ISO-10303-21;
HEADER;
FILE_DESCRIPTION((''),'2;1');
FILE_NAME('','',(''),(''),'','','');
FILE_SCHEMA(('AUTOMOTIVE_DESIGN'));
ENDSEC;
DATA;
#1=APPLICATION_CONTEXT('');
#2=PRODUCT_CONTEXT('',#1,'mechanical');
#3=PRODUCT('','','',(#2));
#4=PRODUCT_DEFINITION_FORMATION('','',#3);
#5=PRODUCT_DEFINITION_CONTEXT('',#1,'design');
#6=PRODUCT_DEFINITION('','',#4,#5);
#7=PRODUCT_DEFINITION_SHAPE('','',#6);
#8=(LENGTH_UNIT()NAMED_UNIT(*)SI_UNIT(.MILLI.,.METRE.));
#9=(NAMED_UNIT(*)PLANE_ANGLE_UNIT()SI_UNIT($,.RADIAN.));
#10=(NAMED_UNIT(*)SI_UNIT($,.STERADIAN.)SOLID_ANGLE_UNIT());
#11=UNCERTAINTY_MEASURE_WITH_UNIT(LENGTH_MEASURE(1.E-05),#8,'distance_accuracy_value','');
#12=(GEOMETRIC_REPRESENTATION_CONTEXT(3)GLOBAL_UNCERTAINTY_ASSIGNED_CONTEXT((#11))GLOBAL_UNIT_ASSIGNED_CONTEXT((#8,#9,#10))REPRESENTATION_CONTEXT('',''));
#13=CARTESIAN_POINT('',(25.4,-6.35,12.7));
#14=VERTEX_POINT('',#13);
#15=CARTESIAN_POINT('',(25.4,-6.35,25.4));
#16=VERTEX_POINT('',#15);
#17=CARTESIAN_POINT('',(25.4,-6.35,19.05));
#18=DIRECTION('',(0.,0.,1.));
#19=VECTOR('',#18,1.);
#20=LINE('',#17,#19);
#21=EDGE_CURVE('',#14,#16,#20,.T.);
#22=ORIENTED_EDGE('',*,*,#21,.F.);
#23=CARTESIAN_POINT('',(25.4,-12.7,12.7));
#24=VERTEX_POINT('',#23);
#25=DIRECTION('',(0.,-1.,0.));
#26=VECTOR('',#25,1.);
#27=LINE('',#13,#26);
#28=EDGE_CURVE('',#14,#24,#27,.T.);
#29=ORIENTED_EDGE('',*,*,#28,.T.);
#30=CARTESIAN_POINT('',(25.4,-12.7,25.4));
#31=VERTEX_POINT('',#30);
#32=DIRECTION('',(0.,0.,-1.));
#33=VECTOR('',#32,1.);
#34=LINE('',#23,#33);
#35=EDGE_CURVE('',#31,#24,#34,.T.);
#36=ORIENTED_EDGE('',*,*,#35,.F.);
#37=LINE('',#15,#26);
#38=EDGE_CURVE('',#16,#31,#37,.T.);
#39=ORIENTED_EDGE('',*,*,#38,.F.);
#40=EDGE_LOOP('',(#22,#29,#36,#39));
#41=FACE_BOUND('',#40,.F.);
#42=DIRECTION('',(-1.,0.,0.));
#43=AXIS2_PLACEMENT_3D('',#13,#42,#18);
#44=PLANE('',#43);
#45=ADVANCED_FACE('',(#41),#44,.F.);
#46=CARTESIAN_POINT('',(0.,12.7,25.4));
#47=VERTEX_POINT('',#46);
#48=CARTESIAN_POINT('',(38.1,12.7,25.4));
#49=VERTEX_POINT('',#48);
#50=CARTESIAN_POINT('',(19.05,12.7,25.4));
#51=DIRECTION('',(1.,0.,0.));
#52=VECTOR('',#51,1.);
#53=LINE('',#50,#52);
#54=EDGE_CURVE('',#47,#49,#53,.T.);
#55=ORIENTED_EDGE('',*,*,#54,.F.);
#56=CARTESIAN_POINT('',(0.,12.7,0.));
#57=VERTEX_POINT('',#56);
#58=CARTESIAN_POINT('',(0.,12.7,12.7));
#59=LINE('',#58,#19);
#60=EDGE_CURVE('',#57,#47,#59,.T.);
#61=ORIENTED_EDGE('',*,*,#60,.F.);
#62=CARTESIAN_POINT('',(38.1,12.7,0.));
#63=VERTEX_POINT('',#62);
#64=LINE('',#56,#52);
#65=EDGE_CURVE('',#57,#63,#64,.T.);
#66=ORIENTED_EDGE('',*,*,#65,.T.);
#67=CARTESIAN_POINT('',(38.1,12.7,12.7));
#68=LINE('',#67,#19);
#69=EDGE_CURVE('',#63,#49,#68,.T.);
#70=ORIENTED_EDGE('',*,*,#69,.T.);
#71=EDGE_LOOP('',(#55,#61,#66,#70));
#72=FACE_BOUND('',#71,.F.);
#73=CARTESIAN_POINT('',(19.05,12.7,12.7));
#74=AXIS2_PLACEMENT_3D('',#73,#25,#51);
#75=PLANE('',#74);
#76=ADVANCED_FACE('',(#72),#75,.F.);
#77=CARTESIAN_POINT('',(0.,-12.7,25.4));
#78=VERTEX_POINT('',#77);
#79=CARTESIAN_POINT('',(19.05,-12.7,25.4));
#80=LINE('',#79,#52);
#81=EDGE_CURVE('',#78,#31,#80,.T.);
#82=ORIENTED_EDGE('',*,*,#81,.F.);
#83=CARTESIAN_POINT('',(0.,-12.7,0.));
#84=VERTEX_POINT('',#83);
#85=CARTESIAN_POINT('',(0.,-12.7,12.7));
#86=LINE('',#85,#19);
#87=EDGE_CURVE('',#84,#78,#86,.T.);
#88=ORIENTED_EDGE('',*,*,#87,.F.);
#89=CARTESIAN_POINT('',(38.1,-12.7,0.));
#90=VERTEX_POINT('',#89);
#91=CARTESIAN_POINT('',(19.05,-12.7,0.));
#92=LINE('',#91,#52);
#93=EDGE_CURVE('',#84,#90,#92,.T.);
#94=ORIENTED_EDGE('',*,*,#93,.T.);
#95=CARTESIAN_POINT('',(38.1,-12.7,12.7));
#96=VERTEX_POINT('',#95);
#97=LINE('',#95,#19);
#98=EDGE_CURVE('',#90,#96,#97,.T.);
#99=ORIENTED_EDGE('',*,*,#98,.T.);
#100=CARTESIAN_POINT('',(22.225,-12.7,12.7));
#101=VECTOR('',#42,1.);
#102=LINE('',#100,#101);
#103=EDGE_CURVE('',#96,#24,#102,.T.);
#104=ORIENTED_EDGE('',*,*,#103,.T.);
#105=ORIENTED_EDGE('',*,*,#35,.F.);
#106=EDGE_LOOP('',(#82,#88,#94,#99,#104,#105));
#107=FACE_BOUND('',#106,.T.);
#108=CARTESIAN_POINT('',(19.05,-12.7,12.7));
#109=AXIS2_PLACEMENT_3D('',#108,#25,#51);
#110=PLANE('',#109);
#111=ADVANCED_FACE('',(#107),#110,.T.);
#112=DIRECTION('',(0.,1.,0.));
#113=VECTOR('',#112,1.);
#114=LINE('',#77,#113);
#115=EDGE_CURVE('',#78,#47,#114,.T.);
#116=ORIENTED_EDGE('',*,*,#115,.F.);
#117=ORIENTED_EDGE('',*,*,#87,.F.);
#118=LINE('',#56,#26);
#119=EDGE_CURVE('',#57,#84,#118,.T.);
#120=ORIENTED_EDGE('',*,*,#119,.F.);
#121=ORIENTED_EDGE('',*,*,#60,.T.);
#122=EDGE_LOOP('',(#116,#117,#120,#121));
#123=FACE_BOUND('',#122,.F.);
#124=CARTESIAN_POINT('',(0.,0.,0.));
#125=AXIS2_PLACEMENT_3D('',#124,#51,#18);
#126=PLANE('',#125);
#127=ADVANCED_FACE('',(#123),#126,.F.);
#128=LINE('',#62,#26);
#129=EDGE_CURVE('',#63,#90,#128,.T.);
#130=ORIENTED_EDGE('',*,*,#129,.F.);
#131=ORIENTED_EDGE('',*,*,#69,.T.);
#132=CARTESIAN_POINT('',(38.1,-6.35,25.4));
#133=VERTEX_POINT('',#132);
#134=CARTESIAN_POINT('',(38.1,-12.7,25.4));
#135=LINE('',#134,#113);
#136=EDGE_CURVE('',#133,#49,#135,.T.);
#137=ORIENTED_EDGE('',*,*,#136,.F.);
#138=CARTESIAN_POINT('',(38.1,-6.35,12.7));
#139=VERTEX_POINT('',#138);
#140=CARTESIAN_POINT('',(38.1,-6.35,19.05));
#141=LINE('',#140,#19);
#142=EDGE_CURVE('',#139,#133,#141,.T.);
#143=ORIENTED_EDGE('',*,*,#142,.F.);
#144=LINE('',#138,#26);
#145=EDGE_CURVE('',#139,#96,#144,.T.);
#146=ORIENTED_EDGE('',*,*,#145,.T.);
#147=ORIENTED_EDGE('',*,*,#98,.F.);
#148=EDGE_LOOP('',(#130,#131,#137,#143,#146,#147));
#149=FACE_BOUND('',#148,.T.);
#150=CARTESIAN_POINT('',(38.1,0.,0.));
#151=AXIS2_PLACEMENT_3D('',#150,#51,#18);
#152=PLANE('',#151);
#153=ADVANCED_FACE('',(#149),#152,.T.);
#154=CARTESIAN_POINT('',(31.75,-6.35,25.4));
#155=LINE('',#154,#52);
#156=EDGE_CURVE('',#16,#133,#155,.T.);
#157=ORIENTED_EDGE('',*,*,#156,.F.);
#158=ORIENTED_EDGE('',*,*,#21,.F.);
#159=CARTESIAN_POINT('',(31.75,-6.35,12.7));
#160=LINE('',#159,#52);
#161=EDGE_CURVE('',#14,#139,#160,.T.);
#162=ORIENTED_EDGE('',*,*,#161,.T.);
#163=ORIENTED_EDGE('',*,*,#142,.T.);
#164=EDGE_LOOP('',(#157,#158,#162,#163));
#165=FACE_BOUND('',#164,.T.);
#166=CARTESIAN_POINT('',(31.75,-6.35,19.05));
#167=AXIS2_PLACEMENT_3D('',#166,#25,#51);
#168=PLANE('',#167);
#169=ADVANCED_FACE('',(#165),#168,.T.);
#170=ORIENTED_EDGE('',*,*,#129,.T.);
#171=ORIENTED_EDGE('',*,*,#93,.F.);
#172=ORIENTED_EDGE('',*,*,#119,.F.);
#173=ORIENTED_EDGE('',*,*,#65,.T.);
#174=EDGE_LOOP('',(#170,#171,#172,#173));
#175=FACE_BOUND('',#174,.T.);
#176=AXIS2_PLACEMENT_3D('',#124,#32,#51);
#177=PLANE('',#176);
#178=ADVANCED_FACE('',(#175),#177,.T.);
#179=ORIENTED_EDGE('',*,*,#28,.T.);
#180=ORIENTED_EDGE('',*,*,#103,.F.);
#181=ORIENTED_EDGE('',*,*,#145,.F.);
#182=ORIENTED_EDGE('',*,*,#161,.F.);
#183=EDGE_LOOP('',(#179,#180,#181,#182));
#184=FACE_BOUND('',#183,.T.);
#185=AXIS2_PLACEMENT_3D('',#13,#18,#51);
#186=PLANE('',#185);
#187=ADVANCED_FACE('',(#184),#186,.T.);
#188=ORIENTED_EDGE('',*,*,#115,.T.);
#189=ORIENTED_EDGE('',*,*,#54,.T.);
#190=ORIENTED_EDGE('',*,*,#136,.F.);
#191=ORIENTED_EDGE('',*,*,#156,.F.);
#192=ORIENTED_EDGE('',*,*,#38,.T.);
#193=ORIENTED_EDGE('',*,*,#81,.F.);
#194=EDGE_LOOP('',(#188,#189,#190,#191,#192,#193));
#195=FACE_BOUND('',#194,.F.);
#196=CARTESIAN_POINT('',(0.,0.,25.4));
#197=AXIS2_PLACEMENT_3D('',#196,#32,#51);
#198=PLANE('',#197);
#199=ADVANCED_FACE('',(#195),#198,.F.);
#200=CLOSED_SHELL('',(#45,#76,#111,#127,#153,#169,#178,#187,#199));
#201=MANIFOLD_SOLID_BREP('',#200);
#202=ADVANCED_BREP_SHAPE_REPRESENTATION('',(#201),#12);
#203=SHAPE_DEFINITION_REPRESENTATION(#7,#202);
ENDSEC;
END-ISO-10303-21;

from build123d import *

# Parameters (mm, degrees)
F0_W     = 38.1
F0_H     = 25.4
F1_DEPTH = 12.7
F3_START = 6.35
F2_W     = 12.7
F2_H     = 12.7
F3_DEPTH = 19.05
F4_W     = 12.7
F4_H     = 6.35
F5_DEPTH = 25.4


with BuildPart() as f1:
    # F0 (on Front) → F1 (new body, symmetric)
    with BuildSketch(Plane.XZ):
        with Locations((19.05, 12.7)):
            Rectangle(F0_W, F0_H)
    extrude(amount=F1_DEPTH, both=True)

    # F2 (on Front) → F3 (cut)
    with BuildSketch(Plane.XZ.offset(F3_START)):
        with Locations((31.75, 19.05)):
            Rectangle(F2_W, F2_H)
    extrude(amount=F3_DEPTH, mode=Mode.SUBTRACT)

    # F4 (on Top) → F5 (cut)
    with BuildSketch(Plane.XY):
        with Locations((6.35, 9.525)):
            Rectangle(F4_W, F4_H)
    extrude(amount=-F5_DEPTH, mode=Mode.SUBTRACT)


solid = f1.part
